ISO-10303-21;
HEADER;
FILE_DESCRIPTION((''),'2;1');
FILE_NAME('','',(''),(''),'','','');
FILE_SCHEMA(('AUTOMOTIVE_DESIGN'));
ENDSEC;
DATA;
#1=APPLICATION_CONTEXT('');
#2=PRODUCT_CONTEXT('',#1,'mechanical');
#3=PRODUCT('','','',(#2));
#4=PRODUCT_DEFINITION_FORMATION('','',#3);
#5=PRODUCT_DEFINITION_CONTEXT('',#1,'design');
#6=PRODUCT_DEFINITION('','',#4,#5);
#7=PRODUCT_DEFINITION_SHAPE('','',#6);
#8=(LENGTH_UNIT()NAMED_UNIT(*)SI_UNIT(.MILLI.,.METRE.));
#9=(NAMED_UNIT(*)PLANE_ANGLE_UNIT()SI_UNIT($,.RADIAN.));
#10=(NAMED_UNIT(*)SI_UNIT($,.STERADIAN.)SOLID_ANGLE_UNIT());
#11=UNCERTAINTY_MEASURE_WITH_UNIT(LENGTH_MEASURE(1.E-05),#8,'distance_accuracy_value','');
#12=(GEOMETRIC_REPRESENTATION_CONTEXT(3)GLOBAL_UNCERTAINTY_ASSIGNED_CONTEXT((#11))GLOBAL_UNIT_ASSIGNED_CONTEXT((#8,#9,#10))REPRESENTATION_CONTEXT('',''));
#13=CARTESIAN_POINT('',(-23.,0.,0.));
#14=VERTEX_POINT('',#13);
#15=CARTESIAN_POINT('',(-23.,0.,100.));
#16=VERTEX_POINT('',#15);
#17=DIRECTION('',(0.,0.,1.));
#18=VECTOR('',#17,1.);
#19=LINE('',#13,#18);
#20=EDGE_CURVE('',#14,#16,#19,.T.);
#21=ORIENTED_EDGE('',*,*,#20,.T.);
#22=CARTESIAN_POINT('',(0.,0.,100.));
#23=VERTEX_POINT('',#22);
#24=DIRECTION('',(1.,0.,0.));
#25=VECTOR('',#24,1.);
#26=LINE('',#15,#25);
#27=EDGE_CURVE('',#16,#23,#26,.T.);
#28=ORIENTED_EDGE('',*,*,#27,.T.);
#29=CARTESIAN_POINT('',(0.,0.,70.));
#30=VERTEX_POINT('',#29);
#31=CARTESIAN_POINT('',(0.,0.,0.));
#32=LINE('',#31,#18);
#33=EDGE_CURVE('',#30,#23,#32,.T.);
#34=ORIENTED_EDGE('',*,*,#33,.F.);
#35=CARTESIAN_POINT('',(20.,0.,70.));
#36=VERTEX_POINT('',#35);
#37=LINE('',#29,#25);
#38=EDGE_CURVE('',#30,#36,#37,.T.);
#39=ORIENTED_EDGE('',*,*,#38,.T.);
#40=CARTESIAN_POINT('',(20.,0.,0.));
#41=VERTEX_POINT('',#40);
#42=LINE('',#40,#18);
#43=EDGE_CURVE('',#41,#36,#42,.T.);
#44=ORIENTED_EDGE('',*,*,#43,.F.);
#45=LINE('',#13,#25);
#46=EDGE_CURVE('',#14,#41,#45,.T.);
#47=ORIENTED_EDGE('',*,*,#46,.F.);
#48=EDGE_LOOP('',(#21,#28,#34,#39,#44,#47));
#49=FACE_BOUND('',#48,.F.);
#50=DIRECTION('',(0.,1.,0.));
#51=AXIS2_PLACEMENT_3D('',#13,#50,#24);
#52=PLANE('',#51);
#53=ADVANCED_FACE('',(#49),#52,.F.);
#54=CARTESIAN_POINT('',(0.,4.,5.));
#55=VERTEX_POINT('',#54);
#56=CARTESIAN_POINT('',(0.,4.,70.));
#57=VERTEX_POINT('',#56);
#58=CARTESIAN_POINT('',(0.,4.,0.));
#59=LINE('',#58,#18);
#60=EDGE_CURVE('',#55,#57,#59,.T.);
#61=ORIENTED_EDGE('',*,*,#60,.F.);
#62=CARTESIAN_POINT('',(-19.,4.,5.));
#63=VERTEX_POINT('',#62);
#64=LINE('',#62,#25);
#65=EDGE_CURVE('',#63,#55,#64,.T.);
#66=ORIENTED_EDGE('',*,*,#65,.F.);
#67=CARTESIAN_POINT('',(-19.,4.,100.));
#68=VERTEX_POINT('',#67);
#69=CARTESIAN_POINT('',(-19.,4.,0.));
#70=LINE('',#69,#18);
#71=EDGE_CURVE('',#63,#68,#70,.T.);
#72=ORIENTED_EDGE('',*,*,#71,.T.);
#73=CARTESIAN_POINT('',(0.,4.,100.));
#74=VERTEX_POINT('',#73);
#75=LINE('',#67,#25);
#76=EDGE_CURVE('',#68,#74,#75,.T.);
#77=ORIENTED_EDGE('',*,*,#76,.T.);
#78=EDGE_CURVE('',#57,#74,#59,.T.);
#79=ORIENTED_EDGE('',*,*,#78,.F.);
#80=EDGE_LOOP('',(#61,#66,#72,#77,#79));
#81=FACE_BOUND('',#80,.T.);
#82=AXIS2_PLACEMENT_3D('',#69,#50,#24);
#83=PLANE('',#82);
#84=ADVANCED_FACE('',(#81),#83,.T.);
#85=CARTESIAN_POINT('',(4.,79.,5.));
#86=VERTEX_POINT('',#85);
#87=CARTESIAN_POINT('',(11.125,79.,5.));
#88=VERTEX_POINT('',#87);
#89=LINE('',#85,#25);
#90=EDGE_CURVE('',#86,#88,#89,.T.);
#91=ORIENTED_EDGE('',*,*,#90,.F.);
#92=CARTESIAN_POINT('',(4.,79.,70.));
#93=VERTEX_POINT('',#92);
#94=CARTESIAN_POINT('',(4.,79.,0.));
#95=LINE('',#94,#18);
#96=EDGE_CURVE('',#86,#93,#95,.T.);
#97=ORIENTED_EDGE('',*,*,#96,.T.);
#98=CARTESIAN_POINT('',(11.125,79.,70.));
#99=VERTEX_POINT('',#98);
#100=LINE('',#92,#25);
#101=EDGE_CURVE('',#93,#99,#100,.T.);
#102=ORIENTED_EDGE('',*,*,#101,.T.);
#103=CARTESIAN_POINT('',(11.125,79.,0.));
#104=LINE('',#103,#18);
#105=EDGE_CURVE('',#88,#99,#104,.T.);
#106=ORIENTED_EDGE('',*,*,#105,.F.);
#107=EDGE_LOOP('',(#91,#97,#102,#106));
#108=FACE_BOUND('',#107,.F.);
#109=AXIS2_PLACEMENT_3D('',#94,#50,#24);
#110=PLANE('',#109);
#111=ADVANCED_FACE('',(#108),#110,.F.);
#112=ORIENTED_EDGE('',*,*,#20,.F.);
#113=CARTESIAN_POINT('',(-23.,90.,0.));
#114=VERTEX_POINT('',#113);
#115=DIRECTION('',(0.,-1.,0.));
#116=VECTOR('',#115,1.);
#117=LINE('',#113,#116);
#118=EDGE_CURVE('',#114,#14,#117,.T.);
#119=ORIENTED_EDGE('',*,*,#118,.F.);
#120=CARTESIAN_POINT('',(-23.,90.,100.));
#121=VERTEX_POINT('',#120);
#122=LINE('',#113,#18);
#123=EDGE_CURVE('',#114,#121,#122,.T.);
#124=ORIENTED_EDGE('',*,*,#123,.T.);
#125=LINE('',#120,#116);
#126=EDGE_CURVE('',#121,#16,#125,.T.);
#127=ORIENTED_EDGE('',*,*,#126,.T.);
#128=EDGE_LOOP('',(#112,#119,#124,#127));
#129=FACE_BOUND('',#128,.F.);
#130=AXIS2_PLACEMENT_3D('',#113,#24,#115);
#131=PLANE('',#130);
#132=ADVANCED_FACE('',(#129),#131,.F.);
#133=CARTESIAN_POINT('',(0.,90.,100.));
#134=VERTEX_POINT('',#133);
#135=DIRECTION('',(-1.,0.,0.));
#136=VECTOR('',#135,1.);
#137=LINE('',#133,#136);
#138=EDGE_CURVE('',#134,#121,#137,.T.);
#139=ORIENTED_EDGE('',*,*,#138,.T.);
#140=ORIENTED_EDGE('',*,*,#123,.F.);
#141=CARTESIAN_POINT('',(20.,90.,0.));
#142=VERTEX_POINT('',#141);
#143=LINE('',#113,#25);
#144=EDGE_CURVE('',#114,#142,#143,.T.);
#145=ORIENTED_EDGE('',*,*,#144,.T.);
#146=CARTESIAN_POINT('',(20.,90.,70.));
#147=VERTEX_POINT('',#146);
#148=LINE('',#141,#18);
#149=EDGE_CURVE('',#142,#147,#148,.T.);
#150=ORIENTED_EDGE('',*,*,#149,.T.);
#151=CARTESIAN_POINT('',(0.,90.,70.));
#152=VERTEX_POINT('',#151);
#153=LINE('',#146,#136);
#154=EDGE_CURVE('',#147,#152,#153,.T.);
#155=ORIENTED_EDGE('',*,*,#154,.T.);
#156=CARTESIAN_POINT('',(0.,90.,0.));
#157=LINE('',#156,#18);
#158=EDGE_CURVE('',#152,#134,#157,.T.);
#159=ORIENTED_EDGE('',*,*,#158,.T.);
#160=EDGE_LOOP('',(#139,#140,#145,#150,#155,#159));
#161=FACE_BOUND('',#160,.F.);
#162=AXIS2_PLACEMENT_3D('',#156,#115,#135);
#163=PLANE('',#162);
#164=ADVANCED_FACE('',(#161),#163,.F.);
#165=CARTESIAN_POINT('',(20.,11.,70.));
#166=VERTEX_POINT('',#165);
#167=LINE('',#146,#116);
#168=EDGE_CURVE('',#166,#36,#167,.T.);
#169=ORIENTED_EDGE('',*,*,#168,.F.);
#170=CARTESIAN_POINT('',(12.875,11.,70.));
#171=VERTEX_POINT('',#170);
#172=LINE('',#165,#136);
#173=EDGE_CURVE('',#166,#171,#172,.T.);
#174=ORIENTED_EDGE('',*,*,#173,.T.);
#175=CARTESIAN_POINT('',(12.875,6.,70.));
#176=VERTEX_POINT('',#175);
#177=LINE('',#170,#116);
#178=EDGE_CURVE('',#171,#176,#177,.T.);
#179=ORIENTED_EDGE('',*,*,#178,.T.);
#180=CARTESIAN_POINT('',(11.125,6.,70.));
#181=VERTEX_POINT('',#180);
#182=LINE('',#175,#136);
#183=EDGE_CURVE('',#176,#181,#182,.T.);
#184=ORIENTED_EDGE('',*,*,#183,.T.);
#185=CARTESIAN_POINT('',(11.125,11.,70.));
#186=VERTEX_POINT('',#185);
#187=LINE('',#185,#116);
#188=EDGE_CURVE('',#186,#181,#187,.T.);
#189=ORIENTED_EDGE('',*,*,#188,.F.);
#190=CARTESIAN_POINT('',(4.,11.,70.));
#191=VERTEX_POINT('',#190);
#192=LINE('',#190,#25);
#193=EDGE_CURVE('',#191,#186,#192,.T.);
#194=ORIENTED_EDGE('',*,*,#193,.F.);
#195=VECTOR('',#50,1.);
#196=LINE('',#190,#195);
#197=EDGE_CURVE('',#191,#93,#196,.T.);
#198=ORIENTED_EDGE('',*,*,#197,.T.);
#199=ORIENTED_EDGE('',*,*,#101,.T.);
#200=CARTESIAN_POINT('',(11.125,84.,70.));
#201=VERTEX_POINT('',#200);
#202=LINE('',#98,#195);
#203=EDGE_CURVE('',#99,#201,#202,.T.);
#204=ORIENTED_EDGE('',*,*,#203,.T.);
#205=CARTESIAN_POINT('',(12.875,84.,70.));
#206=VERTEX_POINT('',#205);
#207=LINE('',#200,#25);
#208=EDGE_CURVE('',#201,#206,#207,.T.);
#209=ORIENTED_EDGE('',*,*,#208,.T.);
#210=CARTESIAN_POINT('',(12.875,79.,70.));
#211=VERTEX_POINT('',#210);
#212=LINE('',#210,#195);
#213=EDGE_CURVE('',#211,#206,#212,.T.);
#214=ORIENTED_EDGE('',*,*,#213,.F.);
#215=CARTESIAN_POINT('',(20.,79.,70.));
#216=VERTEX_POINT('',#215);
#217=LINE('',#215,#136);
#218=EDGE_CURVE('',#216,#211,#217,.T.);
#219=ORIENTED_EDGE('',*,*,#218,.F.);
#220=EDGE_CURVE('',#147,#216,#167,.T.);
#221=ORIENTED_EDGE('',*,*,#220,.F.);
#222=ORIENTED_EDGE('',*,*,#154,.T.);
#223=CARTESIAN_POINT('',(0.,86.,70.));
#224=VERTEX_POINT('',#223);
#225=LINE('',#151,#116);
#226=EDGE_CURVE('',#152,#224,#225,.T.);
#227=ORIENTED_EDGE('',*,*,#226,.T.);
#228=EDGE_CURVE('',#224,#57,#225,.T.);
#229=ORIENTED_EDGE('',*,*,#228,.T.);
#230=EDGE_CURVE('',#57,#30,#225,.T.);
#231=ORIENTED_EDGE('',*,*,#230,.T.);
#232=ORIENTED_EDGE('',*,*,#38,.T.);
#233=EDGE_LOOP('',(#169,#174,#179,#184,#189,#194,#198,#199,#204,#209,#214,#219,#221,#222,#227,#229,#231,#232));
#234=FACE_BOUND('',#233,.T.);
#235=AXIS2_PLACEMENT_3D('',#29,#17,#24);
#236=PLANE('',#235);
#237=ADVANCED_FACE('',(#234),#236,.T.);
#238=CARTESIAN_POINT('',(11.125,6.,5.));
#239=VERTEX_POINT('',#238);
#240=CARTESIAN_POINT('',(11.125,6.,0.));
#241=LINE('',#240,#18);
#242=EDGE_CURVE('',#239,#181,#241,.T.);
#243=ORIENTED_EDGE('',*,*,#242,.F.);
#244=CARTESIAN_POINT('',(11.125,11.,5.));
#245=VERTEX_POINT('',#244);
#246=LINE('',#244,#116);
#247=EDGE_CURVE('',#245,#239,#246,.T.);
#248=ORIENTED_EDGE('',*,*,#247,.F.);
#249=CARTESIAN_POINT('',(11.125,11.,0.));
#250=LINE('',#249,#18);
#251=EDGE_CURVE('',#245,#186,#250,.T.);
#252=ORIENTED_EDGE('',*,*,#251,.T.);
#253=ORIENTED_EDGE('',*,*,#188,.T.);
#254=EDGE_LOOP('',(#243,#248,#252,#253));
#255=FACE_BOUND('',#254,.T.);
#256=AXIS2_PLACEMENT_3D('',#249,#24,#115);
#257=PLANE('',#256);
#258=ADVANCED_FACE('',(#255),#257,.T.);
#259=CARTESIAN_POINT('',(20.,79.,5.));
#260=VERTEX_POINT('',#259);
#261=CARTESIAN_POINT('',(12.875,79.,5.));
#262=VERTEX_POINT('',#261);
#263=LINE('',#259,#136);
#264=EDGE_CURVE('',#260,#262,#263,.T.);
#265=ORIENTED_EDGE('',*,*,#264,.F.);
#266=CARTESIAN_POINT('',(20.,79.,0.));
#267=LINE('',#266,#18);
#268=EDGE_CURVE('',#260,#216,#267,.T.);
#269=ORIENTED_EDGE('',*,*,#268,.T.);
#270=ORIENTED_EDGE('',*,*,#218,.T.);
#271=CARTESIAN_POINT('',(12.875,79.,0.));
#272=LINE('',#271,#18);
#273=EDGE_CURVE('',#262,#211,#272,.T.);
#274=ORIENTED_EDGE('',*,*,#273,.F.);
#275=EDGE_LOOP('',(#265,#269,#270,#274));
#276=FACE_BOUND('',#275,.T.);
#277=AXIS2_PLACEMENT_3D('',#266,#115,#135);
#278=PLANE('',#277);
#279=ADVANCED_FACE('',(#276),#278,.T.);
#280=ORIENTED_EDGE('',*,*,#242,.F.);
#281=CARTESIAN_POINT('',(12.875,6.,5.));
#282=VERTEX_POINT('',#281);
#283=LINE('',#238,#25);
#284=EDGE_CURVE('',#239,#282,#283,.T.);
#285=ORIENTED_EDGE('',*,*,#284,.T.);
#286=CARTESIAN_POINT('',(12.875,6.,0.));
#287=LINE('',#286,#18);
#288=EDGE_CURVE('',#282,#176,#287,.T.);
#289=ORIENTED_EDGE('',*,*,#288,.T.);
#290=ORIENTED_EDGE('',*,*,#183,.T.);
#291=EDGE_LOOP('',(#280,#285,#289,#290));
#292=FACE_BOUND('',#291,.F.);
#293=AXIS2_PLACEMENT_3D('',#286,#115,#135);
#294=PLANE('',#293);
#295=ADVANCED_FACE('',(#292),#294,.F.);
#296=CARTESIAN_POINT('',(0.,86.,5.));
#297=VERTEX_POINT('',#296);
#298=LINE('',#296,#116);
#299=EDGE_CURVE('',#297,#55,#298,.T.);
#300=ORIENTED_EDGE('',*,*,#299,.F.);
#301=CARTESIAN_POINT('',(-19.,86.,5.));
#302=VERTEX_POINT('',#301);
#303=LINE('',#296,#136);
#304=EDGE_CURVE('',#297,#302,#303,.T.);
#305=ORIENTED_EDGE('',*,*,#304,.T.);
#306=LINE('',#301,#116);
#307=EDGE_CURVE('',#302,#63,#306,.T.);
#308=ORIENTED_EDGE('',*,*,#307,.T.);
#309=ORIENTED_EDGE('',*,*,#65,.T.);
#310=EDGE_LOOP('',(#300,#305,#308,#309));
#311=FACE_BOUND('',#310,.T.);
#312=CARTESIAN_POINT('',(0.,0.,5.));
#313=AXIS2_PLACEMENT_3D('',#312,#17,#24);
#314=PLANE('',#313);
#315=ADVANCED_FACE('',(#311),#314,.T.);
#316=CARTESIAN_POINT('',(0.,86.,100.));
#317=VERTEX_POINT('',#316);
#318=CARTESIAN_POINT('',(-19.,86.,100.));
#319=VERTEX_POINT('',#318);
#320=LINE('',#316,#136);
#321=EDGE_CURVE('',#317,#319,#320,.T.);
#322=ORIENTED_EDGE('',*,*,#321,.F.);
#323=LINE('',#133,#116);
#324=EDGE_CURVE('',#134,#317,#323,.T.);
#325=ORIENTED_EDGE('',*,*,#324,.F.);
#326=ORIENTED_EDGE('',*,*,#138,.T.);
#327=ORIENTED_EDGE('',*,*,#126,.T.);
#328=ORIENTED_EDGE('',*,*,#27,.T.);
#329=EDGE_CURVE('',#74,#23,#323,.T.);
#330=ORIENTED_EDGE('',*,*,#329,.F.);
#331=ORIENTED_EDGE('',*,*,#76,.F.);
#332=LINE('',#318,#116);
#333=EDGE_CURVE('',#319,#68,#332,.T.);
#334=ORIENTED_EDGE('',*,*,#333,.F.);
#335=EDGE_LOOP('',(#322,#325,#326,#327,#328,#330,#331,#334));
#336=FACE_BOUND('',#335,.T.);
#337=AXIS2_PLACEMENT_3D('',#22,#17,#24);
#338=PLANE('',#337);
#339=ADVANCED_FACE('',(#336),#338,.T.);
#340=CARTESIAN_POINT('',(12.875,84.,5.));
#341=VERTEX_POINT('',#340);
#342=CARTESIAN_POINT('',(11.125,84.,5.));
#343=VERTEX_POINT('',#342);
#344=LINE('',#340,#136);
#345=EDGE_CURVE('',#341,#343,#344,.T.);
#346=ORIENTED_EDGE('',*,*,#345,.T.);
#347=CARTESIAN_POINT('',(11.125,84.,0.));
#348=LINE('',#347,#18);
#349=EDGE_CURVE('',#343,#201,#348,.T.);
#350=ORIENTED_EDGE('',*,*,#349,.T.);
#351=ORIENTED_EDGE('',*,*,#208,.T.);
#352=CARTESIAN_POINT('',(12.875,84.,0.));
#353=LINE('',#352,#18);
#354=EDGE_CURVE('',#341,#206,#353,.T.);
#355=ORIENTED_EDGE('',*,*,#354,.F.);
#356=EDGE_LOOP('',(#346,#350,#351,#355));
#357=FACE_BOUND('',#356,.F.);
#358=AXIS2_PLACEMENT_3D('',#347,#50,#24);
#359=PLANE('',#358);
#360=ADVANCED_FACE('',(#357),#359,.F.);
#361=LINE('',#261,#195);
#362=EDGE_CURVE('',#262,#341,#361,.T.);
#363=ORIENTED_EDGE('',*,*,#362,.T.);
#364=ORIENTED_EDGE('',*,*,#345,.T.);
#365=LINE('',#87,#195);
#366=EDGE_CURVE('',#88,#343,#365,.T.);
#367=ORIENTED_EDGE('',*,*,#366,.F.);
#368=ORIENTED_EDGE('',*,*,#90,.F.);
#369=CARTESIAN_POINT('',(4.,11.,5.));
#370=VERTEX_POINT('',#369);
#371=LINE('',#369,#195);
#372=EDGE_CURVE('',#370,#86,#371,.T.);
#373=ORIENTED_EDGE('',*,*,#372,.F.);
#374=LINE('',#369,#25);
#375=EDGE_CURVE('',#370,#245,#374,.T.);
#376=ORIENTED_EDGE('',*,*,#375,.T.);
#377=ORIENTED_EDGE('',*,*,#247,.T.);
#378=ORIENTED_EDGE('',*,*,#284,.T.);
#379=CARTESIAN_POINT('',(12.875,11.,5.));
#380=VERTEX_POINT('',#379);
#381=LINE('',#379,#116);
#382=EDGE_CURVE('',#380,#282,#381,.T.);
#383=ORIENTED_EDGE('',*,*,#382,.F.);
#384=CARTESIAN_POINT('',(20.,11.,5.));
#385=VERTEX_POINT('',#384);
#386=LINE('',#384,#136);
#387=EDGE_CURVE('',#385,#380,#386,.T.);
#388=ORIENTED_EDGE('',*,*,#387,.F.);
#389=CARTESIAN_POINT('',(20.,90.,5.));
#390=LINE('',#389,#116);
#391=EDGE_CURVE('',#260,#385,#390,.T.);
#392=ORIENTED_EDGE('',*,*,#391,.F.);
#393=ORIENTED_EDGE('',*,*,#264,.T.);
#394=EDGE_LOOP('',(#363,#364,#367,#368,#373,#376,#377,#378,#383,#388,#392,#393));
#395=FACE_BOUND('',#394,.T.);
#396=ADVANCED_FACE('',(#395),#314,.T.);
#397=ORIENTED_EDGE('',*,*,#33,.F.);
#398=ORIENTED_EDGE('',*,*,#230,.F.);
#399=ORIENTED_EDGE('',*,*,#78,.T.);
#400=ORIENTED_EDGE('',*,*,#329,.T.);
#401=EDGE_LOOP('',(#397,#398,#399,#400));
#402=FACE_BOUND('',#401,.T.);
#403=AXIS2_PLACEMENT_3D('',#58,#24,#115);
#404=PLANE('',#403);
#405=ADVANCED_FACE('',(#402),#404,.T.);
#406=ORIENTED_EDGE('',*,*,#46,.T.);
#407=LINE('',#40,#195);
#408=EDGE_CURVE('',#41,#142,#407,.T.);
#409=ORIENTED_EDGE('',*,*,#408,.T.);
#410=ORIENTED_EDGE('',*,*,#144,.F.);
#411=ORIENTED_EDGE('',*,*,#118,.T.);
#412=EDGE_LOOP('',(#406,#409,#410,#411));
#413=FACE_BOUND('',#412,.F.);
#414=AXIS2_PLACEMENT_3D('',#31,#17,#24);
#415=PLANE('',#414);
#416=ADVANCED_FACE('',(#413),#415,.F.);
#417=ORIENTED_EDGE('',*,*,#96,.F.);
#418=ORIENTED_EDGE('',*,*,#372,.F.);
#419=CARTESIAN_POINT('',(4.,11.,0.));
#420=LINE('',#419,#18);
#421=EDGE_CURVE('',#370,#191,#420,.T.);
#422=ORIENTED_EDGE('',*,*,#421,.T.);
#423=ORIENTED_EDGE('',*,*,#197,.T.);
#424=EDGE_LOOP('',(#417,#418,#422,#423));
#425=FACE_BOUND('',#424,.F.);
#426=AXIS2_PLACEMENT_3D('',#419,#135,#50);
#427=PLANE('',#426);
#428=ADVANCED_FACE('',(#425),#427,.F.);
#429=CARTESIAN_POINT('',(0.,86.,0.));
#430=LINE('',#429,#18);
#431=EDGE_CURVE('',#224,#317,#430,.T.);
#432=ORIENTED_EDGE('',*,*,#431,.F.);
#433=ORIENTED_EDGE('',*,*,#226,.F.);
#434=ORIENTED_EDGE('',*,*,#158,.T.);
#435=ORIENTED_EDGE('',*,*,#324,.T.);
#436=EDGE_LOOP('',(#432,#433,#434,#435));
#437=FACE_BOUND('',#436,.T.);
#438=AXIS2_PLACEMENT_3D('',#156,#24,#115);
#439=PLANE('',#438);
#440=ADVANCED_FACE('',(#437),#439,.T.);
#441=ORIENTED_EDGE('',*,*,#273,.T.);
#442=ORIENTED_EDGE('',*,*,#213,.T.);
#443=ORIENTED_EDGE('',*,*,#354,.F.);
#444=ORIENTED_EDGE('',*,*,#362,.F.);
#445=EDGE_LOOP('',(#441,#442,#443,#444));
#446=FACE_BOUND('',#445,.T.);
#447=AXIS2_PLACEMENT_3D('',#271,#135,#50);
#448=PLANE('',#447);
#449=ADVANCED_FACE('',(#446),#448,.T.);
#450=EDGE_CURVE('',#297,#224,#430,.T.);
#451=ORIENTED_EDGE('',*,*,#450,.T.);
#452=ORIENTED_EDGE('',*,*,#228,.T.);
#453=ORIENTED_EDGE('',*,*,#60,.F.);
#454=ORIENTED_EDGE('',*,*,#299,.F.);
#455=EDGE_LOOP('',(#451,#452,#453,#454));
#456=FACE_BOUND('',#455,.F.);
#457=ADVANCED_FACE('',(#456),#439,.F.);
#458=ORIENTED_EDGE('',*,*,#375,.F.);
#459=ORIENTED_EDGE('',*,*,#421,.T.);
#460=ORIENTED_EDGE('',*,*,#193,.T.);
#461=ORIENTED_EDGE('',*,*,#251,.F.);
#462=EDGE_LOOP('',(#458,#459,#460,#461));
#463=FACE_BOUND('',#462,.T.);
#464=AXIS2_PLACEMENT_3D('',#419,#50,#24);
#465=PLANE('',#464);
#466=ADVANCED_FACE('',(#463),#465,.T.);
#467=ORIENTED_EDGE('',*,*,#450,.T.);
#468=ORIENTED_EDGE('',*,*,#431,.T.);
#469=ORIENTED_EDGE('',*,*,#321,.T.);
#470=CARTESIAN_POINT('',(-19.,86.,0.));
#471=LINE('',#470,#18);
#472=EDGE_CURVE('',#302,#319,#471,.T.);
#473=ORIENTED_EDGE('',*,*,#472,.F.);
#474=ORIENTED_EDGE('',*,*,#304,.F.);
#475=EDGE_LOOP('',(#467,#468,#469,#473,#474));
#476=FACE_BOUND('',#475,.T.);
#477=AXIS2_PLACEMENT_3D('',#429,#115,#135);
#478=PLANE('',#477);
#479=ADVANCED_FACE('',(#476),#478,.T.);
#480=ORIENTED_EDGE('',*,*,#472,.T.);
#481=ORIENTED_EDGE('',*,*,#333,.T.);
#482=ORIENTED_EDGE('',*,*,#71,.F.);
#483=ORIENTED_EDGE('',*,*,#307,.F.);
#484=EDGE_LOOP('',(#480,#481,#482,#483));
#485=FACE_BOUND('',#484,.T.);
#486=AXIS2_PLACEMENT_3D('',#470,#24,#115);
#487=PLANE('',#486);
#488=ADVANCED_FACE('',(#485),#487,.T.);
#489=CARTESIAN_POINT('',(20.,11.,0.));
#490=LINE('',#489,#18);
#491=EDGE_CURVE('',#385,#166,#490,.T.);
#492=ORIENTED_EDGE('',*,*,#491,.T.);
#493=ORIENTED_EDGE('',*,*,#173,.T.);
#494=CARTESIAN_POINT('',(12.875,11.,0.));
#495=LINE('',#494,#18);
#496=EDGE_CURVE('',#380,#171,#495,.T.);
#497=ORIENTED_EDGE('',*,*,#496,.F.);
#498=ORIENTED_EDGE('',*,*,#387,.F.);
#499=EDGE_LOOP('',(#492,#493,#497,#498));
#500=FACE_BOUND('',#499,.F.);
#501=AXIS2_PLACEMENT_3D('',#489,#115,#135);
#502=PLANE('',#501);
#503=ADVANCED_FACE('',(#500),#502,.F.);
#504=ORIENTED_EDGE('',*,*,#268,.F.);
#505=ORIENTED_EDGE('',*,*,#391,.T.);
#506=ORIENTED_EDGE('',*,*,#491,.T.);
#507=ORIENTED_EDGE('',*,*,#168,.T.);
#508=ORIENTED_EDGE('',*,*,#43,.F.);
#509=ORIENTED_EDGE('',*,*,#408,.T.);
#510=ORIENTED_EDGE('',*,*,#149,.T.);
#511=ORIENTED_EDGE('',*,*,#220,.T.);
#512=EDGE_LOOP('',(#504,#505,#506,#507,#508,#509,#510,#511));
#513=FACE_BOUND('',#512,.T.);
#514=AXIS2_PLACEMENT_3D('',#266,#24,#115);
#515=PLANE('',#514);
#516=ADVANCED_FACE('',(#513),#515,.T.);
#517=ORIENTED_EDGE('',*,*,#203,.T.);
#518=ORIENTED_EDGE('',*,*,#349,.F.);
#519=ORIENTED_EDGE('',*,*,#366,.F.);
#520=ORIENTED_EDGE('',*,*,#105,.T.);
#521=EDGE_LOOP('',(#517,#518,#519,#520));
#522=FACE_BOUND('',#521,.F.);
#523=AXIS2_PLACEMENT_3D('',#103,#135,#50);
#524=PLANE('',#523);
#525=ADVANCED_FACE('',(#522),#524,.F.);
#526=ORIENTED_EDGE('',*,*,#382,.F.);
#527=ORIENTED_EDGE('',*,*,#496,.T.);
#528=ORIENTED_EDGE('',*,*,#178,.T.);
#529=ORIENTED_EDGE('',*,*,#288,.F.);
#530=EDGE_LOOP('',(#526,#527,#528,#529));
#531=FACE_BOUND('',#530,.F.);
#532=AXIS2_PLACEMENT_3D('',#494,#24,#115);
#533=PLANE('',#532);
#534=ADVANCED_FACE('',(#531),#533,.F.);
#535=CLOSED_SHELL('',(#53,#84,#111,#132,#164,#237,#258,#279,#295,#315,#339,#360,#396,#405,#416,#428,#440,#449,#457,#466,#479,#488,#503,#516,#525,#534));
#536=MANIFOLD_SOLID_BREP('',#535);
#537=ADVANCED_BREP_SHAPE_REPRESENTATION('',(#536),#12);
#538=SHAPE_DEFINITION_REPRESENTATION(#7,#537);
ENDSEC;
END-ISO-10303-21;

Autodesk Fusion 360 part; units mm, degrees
sketch "Sketch1" plane through (0, 0, 0) normal (0, 0, 1) x (1, 0, 0)
  line L0 (0, 0) -> (20, 0)
  line L1 (20, 90) -> (0, 90)
  line L2 (0, 90) -> (0, 0)
  line L3 (4, 79) -> (11.125, 79)
  line L4 (11.125, 79) -> (11.125, 84)
  line L5 (4, 11) -> (4, 79)
  line L6 (0, 75) -> (0, 25)
  line L7 (20, 90) -> (0, 0) construction
  line L8 (0, 90) -> (20, 0) construction
  line L9 (0, 90) -> (-23, 90)
  line L10 (-23, 90) -> (-23, 0)
  line L11 (-23, 0) -> (0, 0)
  line L12 (0, 0) -> (0, 90)
  line L13 (0, 90) -> (-23, 0) construction
  line L14 (-23, 90) -> (0, 0) construction
  line L15 (10, 45) -> (-11.5, 45) construction
  line L16 (0, 86) -> (-19, 86)
  line L17 (-19, 86) -> (-19, 4)
  line L18 (-19, 4) -> (0, 4)
  line L19 (12, 90) -> (12, 0) construction
  line L20 (11.125, 84) -> (12, 84)
  line L21 (20, 79) -> (12.875, 79)
  line L22 (12.875, 79) -> (12.875, 84)
  line L23 (12.875, 84) -> (12, 84)
  line L24 (20, 90) -> (20, 0)
  line L25 (20, 11) -> (12.875, 11)
  line L26 (4, 11) -> (11.125, 11)
  line L27 (11.125, 11) -> (11.125, 6)
  line L28 (11.125, 6) -> (12, 6)
  line L29 (12.875, 6) -> (12, 6)
  line L30 (12.875, 11) -> (12.875, 6)
  point P0 (-11.5, 45)
  dimension "d37" = 90
  dimension "d38" = 23
  dimension "d39" = -4
  dimension "d51" = 12
  dimension "d57" = 1.75
  dimension "d63" = 5
  dimension "d65" = 78
  dimension "d66" = 6
  dimension "d67" = 20
  dimension "d72" = 8
extrude "Extrude7" add sketch "Sketch1" along normal blind 5 contours L2 L6 L12 L16 L17 L18 | L3 L4 L5 L20 L21 L22 L23 L24 L25 L26 L27 L28 L29 L30 makes body 1 at (6.375, 33.6667, 0) makes body 2 at (-6.3333, 58.6667, 0)
extrude "Extrude9" add sketch "Sketch1" along normal blind 70 contours L0 L1 L2 L3 L4 L5 L6 L12 L20 L21 L22 L23 L24 L25 L26 L27 L28 L29 L30 bodies 1 2
extrude "Extrude10" add sketch "Sketch1" along normal blind 100 contours L2 L9 L10 L11 L12 L16 L17 L18 bodies 1
